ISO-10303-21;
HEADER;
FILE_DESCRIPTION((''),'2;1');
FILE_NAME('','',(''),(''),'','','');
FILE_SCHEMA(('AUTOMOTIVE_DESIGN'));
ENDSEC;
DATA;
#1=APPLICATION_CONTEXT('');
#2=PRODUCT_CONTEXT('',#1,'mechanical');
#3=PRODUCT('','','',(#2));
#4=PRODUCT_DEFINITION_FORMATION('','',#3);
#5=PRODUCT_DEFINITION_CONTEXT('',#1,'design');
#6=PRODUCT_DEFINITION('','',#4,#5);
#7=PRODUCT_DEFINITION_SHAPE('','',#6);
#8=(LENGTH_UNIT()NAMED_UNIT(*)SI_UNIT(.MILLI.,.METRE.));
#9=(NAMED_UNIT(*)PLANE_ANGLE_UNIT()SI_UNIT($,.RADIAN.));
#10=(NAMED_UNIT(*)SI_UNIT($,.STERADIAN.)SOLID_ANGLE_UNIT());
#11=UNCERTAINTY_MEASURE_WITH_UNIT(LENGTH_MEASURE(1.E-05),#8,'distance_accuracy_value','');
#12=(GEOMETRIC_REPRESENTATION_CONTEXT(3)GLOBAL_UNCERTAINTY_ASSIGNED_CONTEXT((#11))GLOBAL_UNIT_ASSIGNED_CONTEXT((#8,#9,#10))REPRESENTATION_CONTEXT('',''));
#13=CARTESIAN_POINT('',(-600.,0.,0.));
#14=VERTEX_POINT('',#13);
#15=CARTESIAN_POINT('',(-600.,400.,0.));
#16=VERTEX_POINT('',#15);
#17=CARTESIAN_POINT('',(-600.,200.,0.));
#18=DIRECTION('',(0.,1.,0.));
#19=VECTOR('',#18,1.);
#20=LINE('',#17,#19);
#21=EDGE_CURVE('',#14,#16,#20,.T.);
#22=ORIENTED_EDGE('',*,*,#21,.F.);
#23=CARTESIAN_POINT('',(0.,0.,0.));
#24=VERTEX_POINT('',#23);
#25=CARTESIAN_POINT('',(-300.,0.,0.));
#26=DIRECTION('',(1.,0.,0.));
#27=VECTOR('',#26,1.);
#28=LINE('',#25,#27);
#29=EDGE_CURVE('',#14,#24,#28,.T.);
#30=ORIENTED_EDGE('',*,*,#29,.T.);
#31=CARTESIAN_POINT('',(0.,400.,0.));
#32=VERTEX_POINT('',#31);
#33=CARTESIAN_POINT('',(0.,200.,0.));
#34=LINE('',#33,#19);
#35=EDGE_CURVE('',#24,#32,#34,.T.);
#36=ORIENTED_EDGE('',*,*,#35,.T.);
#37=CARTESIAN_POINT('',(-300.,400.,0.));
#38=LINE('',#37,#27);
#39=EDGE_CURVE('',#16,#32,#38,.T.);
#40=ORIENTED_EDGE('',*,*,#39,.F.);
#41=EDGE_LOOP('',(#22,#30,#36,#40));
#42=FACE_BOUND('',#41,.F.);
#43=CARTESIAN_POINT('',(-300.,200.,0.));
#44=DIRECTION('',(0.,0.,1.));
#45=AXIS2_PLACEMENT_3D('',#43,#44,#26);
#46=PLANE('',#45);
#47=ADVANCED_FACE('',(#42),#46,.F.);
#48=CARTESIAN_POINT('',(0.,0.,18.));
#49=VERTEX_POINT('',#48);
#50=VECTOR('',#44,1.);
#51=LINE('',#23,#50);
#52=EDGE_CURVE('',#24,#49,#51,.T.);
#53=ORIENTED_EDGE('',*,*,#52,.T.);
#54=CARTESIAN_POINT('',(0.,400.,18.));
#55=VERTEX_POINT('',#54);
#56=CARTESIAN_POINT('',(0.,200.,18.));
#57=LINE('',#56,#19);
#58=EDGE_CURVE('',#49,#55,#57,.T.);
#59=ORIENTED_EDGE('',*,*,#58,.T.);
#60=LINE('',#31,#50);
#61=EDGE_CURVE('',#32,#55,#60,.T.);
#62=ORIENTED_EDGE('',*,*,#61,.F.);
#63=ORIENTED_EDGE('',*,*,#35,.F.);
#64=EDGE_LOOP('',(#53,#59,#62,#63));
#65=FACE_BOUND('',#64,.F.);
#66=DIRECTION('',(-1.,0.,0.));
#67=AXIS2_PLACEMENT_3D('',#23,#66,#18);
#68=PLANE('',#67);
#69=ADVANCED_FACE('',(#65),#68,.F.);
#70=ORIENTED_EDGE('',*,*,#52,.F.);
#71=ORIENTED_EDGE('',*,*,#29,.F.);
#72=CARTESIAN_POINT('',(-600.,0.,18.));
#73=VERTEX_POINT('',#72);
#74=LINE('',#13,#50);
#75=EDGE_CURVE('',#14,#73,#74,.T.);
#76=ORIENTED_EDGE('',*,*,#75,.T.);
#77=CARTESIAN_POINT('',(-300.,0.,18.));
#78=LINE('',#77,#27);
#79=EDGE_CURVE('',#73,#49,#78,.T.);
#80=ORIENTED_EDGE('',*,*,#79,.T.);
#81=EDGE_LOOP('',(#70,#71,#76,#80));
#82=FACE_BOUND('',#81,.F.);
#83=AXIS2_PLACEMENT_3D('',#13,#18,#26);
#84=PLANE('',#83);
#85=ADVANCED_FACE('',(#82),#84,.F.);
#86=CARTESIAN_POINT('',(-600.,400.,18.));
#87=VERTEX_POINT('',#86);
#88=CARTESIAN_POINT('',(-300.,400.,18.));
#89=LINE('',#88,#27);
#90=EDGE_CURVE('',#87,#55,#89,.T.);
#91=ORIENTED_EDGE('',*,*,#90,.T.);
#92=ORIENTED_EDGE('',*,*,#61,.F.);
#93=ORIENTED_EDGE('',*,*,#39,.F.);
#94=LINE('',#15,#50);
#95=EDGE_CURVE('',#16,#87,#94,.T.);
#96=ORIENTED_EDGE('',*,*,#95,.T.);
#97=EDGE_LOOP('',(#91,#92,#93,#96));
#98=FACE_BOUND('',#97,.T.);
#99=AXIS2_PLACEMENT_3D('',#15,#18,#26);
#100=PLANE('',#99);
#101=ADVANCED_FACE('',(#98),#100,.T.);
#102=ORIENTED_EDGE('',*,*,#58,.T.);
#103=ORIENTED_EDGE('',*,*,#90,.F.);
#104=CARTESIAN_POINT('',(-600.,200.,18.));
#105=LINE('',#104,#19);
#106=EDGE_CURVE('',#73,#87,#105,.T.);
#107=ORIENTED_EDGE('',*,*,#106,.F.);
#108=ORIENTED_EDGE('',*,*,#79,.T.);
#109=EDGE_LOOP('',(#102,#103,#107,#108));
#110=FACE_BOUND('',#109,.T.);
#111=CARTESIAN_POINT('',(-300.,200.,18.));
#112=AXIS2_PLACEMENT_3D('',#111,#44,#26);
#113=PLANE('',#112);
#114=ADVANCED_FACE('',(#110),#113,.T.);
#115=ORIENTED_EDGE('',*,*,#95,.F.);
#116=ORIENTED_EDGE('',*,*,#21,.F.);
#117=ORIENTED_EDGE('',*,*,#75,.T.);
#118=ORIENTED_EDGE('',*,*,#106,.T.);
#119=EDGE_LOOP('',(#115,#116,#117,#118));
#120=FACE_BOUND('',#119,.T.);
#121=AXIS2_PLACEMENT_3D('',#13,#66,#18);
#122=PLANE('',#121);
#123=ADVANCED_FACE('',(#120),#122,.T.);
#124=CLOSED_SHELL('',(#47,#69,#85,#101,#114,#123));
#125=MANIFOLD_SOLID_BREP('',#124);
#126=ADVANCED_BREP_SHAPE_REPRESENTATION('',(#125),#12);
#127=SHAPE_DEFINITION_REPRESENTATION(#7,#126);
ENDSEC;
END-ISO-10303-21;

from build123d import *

# Parameters (mm, degrees)
SKETCH_W  = 600
SKETCH_H  = 400
PAD_DEPTH = 18


with BuildPart() as part:
    # Sketch → Pad (new body)
    with BuildSketch(Plane.XY):
        with Locations((-300, 200)):
            Rectangle(SKETCH_W, SKETCH_H)
    extrude(amount=PAD_DEPTH)


solid = part.part
